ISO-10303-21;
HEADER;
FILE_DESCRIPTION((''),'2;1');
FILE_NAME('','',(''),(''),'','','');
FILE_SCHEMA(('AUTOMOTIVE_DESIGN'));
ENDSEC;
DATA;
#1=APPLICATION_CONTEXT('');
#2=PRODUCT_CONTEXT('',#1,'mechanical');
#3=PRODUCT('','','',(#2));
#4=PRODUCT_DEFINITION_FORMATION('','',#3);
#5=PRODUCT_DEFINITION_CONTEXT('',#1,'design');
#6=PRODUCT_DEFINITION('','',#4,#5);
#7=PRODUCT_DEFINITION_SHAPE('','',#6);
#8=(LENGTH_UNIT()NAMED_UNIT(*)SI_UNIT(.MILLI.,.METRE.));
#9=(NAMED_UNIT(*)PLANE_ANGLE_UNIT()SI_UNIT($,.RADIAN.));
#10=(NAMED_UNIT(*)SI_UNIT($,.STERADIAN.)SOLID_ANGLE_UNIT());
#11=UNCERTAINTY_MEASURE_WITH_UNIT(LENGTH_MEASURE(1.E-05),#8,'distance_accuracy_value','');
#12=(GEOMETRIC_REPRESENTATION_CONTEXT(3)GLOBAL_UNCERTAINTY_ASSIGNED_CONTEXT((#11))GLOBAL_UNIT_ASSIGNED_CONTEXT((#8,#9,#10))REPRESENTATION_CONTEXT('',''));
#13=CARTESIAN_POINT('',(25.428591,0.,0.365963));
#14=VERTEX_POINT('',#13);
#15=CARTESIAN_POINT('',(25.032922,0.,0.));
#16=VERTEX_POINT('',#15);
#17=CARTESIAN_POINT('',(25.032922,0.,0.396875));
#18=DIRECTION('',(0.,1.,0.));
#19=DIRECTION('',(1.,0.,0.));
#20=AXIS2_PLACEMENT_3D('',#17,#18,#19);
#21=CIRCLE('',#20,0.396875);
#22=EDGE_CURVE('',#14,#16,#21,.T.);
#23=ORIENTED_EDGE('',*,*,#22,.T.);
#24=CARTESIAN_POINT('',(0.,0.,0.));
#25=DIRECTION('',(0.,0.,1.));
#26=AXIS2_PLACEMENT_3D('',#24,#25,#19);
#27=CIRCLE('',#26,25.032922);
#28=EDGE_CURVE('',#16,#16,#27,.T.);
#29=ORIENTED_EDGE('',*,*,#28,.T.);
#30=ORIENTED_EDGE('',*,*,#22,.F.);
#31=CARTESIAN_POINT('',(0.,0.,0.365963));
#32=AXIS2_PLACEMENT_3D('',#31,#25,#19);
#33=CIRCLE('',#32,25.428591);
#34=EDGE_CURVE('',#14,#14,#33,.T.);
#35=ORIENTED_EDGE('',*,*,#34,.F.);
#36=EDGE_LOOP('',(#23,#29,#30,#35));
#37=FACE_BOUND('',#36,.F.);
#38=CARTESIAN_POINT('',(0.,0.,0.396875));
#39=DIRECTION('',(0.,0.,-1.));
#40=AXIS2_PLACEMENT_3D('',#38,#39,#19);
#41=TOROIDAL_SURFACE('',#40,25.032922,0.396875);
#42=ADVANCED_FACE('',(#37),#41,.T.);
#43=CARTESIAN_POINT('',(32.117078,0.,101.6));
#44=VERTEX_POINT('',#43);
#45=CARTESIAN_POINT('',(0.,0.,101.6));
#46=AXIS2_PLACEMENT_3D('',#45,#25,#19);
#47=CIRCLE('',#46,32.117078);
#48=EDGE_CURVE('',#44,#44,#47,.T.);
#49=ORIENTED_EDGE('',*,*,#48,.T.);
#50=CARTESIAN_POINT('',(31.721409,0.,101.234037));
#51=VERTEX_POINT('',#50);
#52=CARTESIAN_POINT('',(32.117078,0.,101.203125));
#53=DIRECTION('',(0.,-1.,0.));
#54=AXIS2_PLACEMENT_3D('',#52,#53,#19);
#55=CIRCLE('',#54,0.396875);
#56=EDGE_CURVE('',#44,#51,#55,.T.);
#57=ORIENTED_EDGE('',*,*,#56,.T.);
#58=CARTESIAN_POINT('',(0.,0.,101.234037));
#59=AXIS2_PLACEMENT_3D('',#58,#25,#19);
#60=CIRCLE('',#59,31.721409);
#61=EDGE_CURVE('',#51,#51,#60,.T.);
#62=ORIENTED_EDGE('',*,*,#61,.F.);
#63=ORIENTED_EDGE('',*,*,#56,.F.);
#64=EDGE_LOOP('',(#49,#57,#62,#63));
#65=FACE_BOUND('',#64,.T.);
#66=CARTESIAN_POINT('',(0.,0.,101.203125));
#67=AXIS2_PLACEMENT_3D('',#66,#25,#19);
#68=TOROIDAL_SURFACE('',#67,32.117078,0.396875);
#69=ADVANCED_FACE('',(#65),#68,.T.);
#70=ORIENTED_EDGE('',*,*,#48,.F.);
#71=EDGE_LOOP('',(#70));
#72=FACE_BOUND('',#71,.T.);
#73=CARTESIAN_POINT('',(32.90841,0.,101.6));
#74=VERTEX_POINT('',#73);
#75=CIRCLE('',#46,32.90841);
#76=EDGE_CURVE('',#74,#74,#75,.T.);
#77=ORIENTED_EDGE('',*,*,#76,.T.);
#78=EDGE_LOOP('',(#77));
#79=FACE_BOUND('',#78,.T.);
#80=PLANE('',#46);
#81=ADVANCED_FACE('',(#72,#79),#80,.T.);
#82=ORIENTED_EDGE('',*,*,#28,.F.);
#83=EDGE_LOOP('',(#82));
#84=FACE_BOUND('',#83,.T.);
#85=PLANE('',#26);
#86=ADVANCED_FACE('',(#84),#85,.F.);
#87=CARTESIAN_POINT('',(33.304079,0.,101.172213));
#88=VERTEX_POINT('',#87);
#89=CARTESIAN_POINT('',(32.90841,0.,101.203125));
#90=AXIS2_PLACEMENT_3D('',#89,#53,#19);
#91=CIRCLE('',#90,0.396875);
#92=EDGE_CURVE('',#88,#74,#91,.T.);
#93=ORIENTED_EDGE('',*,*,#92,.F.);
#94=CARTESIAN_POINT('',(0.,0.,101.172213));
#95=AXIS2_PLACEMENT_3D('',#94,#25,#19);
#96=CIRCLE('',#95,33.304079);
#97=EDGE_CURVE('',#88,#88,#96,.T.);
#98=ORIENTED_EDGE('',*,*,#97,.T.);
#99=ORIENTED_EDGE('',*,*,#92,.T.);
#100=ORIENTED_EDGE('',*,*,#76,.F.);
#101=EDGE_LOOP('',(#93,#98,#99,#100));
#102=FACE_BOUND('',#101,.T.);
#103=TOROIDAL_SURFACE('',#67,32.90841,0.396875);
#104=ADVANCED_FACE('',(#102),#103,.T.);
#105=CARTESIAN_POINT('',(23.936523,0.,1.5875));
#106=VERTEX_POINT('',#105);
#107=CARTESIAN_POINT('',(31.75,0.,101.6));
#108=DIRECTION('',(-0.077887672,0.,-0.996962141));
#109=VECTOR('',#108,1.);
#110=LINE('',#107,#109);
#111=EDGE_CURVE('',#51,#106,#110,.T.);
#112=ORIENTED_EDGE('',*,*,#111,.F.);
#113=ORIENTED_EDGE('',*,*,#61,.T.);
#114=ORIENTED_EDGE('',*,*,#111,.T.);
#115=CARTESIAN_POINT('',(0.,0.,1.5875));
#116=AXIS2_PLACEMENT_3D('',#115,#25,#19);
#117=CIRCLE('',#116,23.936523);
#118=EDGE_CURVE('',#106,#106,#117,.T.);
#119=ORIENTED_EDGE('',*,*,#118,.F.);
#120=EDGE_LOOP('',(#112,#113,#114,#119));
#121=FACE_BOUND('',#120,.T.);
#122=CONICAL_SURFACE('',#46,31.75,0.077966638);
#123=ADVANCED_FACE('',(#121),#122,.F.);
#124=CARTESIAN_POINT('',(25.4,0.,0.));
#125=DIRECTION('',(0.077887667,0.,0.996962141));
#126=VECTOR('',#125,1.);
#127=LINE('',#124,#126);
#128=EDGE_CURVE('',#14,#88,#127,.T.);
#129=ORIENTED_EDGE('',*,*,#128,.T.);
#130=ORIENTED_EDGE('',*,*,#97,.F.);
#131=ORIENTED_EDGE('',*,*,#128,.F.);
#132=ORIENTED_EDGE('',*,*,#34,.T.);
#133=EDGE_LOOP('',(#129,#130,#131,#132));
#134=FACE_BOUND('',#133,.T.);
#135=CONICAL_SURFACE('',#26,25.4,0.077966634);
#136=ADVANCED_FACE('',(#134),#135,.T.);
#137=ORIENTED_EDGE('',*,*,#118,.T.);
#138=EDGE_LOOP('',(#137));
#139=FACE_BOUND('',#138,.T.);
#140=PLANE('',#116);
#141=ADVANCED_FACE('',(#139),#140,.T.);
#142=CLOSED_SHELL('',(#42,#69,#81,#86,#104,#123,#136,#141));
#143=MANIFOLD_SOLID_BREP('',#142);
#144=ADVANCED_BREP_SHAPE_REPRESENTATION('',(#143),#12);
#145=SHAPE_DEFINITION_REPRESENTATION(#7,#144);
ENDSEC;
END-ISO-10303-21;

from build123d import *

# Parameters (mm, degrees)
F2_R = 0.396875
F3_R = 0.396875
F4_R = 0.396875


with BuildPart() as f1:
    # F0 (on Front) → F1 (revolve)
    with BuildSketch(Plane.XZ):
        Polygon((0, 1.5875), (0, 0), (25.4, 0), (33.3375, 101.6), (31.75, 101.6), (23.936523, 1.5875), align=None)
    revolve(axis=Axis((0, 0, 50.8), (0, 0, 1)))

    # F2
    f2_edges = [f1.edges().sort_by_distance(p)[0] for p in [
        (-33.3375, 0, 101.6),
    ]]
    fillet(f2_edges, radius=F2_R)

    # F3
    f3_edges = [f1.edges().sort_by_distance(p)[0] for p in [
        (-31.75, 0, 101.6),
    ]]
    fillet(f3_edges, radius=F3_R)

    # F4
    f4_edges = [f1.edges().sort_by_distance(p)[0] for p in [
        (-25.4, 0, 0),
    ]]
    fillet(f4_edges, radius=F4_R)


solid = f1.part
